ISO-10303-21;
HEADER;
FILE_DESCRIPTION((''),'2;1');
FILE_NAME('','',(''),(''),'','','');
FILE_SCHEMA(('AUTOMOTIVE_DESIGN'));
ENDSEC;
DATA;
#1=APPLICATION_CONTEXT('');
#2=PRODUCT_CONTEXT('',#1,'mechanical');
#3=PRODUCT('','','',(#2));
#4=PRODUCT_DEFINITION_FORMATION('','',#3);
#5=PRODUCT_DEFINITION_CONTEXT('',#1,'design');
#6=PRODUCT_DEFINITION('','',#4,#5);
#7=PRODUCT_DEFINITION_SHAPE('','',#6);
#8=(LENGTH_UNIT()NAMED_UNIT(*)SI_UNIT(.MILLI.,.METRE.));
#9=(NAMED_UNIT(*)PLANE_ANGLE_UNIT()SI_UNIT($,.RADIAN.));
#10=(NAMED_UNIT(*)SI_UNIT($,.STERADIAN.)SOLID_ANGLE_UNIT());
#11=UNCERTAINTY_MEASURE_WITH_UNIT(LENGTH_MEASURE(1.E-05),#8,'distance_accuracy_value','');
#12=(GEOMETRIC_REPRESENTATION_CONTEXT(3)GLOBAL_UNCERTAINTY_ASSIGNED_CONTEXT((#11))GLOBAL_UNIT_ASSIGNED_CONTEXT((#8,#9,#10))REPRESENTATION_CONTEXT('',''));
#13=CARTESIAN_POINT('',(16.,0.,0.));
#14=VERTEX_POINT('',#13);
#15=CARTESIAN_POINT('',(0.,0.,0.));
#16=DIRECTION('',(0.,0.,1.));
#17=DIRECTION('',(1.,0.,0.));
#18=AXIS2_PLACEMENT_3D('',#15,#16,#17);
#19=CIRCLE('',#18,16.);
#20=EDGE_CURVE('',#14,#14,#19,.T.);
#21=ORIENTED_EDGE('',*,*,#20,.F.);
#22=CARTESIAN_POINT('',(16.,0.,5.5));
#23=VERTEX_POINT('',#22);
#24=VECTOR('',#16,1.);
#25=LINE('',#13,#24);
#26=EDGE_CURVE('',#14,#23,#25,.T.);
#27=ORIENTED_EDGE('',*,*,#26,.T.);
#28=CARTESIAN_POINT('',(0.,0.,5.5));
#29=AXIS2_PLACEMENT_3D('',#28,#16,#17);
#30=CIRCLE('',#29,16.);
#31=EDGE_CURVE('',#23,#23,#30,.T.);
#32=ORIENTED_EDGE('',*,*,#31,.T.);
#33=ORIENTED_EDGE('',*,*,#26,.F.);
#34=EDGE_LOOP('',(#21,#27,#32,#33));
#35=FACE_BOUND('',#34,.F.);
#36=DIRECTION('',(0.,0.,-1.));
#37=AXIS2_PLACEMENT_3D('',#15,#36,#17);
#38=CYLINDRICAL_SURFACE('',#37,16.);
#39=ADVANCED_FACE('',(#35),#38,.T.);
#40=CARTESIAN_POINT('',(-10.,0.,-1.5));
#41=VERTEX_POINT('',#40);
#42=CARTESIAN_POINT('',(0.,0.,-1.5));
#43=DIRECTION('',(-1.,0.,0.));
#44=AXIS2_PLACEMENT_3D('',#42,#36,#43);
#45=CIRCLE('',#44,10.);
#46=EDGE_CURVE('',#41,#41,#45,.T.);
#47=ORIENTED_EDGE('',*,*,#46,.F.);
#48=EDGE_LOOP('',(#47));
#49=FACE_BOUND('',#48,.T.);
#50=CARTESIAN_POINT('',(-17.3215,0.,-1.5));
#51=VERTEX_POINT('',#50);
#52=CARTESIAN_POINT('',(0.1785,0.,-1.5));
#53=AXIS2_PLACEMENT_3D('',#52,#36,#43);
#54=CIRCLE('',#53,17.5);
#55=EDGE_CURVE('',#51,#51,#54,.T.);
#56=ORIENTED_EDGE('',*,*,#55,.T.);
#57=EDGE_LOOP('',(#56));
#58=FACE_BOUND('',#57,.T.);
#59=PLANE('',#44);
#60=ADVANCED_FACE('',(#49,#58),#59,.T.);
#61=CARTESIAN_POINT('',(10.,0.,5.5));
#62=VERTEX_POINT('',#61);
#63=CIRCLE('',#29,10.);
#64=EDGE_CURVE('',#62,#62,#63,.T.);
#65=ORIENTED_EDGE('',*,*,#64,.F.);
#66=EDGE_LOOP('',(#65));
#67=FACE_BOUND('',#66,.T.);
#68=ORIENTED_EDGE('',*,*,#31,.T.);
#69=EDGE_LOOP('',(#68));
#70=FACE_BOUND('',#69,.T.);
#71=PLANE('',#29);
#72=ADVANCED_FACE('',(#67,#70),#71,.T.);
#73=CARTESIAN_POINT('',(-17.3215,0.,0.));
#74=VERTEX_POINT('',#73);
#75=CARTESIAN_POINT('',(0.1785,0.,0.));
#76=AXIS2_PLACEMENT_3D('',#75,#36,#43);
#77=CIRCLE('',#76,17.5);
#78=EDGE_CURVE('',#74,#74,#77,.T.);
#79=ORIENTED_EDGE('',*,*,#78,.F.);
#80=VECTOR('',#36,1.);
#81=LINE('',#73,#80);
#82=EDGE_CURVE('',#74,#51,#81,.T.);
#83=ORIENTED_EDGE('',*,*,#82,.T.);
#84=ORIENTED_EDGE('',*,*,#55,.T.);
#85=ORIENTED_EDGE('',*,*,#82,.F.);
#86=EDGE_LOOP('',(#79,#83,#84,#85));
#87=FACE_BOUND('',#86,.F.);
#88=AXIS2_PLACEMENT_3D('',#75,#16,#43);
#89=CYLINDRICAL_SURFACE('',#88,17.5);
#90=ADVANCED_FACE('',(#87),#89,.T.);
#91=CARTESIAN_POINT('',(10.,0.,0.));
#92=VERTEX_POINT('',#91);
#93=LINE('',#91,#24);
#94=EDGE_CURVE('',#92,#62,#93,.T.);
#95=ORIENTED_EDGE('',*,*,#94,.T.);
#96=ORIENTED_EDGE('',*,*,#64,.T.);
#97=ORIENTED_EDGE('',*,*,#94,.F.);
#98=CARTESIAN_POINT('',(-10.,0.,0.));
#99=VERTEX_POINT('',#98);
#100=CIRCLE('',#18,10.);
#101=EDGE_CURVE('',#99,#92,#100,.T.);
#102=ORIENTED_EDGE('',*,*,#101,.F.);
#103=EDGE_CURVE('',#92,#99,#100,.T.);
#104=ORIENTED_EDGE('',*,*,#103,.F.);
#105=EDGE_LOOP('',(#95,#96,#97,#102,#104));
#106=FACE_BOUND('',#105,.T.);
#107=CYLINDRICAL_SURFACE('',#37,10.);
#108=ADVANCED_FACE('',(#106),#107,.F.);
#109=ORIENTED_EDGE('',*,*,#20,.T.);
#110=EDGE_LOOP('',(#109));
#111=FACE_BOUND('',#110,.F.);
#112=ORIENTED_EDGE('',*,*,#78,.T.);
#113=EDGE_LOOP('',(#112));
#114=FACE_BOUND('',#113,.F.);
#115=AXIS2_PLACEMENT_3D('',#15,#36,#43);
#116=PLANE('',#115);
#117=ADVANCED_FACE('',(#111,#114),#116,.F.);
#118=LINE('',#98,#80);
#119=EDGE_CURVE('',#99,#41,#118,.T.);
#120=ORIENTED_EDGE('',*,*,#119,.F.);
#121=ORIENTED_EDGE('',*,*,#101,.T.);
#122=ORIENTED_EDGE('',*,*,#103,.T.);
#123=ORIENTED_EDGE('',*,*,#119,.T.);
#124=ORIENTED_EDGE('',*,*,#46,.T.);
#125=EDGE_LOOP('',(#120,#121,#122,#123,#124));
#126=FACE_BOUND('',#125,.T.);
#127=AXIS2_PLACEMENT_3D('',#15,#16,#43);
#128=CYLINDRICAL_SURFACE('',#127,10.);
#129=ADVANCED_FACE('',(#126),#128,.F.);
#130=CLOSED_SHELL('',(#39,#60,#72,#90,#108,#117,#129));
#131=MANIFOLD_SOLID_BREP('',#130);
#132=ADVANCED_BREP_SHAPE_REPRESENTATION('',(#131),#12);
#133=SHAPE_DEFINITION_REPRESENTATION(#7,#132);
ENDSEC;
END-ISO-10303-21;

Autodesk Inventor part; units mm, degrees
ref_plane "YZ Plane" through (0, 0, 0) normal (1, 0, 0) x (0, 1, 0)
ref_plane "XZ Plane" through (0, 0, 0) normal (0, 1, 0) x (-1, 0, 0)
ref_plane "XY Plane" through (0, 0, 0) normal (0, 0, 1) x (1, 0, 0)
sketch "Sketch1" plane through (0, 0, 0) normal (0, 0, 1) x (1, 0, 0)
  circle A0 centre (0, 0) radius 10
  circle A1 centre (0, 0) radius 16
  dimension "d0" = 20
  dimension "d1" = 32
extrude "Extrusion1" add sketch "Sketch1" along normal blind 5.5
sketch "Sketch2" plane through (0, 0, 0) normal (0, 0, -1) x (-1, 0, 0)
  circle A0 centre (0, 0) radius 10
  circle A1 centre (-0.1785, 0) radius 17.5
  dimension "d4" = 20
  dimension "d5" = 35
extrude "Extrusion2" add sketch "Sketch2" along normal blind 1.5
properties part number "F6004" material "Stainless Steel"
